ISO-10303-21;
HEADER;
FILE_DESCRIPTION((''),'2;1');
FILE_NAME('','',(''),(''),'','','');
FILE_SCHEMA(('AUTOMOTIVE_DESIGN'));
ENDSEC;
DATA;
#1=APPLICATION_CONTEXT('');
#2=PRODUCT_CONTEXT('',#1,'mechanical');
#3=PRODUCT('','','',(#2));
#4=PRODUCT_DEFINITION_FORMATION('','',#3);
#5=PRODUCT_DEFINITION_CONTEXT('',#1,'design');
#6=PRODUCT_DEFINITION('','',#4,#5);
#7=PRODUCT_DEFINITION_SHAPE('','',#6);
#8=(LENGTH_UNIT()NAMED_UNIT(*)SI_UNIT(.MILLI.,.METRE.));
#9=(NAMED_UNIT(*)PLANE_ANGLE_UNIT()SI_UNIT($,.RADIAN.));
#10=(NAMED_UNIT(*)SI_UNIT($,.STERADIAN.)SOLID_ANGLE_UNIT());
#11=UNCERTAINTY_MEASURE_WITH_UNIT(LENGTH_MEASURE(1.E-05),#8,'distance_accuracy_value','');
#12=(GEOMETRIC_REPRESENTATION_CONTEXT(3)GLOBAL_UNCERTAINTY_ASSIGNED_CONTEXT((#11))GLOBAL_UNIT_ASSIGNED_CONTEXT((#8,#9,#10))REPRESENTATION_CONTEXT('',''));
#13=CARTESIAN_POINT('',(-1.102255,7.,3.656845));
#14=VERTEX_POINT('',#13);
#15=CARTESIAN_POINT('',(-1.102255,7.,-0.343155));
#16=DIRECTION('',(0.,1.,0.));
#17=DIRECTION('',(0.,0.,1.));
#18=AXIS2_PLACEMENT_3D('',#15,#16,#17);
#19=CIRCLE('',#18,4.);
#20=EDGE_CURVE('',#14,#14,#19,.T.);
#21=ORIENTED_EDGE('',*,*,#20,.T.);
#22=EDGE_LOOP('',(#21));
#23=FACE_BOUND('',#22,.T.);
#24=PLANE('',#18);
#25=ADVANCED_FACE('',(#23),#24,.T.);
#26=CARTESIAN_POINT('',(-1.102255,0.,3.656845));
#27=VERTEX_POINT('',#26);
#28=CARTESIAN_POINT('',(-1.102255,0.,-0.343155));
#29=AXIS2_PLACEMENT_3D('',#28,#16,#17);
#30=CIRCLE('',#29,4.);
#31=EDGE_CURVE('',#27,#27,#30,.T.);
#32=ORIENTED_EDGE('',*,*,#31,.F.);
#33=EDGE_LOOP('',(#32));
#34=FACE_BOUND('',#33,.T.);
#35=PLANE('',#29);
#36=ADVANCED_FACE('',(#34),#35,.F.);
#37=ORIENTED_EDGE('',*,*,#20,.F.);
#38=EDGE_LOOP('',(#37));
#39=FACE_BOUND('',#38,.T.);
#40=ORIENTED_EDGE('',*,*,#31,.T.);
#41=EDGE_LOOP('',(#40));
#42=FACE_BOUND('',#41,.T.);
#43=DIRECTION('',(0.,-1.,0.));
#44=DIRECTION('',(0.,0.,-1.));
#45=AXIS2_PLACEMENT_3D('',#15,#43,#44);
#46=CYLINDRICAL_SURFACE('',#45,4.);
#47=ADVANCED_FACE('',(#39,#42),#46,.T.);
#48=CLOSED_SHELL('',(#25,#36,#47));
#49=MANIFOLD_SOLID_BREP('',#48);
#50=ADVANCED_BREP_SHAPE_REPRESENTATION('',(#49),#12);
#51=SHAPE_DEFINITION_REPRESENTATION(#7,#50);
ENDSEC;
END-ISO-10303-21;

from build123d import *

# Parameters (mm, degrees)
SKETCH_1_R      = 4
EXTRUDE_2_DEPTH = 7


with BuildPart() as part:
    # Эскиз1 → Бобышка-Вытянуть2 (new body)
    with BuildSketch(Plane(origin=(0, 0, 0), x_dir=(1, 0, 0), z_dir=(0, 1, 0))):
        with Locations((-1.102254688, 0.343154761)):
            Circle(SKETCH_1_R)
    extrude(amount=EXTRUDE_2_DEPTH)


solid = part.part
